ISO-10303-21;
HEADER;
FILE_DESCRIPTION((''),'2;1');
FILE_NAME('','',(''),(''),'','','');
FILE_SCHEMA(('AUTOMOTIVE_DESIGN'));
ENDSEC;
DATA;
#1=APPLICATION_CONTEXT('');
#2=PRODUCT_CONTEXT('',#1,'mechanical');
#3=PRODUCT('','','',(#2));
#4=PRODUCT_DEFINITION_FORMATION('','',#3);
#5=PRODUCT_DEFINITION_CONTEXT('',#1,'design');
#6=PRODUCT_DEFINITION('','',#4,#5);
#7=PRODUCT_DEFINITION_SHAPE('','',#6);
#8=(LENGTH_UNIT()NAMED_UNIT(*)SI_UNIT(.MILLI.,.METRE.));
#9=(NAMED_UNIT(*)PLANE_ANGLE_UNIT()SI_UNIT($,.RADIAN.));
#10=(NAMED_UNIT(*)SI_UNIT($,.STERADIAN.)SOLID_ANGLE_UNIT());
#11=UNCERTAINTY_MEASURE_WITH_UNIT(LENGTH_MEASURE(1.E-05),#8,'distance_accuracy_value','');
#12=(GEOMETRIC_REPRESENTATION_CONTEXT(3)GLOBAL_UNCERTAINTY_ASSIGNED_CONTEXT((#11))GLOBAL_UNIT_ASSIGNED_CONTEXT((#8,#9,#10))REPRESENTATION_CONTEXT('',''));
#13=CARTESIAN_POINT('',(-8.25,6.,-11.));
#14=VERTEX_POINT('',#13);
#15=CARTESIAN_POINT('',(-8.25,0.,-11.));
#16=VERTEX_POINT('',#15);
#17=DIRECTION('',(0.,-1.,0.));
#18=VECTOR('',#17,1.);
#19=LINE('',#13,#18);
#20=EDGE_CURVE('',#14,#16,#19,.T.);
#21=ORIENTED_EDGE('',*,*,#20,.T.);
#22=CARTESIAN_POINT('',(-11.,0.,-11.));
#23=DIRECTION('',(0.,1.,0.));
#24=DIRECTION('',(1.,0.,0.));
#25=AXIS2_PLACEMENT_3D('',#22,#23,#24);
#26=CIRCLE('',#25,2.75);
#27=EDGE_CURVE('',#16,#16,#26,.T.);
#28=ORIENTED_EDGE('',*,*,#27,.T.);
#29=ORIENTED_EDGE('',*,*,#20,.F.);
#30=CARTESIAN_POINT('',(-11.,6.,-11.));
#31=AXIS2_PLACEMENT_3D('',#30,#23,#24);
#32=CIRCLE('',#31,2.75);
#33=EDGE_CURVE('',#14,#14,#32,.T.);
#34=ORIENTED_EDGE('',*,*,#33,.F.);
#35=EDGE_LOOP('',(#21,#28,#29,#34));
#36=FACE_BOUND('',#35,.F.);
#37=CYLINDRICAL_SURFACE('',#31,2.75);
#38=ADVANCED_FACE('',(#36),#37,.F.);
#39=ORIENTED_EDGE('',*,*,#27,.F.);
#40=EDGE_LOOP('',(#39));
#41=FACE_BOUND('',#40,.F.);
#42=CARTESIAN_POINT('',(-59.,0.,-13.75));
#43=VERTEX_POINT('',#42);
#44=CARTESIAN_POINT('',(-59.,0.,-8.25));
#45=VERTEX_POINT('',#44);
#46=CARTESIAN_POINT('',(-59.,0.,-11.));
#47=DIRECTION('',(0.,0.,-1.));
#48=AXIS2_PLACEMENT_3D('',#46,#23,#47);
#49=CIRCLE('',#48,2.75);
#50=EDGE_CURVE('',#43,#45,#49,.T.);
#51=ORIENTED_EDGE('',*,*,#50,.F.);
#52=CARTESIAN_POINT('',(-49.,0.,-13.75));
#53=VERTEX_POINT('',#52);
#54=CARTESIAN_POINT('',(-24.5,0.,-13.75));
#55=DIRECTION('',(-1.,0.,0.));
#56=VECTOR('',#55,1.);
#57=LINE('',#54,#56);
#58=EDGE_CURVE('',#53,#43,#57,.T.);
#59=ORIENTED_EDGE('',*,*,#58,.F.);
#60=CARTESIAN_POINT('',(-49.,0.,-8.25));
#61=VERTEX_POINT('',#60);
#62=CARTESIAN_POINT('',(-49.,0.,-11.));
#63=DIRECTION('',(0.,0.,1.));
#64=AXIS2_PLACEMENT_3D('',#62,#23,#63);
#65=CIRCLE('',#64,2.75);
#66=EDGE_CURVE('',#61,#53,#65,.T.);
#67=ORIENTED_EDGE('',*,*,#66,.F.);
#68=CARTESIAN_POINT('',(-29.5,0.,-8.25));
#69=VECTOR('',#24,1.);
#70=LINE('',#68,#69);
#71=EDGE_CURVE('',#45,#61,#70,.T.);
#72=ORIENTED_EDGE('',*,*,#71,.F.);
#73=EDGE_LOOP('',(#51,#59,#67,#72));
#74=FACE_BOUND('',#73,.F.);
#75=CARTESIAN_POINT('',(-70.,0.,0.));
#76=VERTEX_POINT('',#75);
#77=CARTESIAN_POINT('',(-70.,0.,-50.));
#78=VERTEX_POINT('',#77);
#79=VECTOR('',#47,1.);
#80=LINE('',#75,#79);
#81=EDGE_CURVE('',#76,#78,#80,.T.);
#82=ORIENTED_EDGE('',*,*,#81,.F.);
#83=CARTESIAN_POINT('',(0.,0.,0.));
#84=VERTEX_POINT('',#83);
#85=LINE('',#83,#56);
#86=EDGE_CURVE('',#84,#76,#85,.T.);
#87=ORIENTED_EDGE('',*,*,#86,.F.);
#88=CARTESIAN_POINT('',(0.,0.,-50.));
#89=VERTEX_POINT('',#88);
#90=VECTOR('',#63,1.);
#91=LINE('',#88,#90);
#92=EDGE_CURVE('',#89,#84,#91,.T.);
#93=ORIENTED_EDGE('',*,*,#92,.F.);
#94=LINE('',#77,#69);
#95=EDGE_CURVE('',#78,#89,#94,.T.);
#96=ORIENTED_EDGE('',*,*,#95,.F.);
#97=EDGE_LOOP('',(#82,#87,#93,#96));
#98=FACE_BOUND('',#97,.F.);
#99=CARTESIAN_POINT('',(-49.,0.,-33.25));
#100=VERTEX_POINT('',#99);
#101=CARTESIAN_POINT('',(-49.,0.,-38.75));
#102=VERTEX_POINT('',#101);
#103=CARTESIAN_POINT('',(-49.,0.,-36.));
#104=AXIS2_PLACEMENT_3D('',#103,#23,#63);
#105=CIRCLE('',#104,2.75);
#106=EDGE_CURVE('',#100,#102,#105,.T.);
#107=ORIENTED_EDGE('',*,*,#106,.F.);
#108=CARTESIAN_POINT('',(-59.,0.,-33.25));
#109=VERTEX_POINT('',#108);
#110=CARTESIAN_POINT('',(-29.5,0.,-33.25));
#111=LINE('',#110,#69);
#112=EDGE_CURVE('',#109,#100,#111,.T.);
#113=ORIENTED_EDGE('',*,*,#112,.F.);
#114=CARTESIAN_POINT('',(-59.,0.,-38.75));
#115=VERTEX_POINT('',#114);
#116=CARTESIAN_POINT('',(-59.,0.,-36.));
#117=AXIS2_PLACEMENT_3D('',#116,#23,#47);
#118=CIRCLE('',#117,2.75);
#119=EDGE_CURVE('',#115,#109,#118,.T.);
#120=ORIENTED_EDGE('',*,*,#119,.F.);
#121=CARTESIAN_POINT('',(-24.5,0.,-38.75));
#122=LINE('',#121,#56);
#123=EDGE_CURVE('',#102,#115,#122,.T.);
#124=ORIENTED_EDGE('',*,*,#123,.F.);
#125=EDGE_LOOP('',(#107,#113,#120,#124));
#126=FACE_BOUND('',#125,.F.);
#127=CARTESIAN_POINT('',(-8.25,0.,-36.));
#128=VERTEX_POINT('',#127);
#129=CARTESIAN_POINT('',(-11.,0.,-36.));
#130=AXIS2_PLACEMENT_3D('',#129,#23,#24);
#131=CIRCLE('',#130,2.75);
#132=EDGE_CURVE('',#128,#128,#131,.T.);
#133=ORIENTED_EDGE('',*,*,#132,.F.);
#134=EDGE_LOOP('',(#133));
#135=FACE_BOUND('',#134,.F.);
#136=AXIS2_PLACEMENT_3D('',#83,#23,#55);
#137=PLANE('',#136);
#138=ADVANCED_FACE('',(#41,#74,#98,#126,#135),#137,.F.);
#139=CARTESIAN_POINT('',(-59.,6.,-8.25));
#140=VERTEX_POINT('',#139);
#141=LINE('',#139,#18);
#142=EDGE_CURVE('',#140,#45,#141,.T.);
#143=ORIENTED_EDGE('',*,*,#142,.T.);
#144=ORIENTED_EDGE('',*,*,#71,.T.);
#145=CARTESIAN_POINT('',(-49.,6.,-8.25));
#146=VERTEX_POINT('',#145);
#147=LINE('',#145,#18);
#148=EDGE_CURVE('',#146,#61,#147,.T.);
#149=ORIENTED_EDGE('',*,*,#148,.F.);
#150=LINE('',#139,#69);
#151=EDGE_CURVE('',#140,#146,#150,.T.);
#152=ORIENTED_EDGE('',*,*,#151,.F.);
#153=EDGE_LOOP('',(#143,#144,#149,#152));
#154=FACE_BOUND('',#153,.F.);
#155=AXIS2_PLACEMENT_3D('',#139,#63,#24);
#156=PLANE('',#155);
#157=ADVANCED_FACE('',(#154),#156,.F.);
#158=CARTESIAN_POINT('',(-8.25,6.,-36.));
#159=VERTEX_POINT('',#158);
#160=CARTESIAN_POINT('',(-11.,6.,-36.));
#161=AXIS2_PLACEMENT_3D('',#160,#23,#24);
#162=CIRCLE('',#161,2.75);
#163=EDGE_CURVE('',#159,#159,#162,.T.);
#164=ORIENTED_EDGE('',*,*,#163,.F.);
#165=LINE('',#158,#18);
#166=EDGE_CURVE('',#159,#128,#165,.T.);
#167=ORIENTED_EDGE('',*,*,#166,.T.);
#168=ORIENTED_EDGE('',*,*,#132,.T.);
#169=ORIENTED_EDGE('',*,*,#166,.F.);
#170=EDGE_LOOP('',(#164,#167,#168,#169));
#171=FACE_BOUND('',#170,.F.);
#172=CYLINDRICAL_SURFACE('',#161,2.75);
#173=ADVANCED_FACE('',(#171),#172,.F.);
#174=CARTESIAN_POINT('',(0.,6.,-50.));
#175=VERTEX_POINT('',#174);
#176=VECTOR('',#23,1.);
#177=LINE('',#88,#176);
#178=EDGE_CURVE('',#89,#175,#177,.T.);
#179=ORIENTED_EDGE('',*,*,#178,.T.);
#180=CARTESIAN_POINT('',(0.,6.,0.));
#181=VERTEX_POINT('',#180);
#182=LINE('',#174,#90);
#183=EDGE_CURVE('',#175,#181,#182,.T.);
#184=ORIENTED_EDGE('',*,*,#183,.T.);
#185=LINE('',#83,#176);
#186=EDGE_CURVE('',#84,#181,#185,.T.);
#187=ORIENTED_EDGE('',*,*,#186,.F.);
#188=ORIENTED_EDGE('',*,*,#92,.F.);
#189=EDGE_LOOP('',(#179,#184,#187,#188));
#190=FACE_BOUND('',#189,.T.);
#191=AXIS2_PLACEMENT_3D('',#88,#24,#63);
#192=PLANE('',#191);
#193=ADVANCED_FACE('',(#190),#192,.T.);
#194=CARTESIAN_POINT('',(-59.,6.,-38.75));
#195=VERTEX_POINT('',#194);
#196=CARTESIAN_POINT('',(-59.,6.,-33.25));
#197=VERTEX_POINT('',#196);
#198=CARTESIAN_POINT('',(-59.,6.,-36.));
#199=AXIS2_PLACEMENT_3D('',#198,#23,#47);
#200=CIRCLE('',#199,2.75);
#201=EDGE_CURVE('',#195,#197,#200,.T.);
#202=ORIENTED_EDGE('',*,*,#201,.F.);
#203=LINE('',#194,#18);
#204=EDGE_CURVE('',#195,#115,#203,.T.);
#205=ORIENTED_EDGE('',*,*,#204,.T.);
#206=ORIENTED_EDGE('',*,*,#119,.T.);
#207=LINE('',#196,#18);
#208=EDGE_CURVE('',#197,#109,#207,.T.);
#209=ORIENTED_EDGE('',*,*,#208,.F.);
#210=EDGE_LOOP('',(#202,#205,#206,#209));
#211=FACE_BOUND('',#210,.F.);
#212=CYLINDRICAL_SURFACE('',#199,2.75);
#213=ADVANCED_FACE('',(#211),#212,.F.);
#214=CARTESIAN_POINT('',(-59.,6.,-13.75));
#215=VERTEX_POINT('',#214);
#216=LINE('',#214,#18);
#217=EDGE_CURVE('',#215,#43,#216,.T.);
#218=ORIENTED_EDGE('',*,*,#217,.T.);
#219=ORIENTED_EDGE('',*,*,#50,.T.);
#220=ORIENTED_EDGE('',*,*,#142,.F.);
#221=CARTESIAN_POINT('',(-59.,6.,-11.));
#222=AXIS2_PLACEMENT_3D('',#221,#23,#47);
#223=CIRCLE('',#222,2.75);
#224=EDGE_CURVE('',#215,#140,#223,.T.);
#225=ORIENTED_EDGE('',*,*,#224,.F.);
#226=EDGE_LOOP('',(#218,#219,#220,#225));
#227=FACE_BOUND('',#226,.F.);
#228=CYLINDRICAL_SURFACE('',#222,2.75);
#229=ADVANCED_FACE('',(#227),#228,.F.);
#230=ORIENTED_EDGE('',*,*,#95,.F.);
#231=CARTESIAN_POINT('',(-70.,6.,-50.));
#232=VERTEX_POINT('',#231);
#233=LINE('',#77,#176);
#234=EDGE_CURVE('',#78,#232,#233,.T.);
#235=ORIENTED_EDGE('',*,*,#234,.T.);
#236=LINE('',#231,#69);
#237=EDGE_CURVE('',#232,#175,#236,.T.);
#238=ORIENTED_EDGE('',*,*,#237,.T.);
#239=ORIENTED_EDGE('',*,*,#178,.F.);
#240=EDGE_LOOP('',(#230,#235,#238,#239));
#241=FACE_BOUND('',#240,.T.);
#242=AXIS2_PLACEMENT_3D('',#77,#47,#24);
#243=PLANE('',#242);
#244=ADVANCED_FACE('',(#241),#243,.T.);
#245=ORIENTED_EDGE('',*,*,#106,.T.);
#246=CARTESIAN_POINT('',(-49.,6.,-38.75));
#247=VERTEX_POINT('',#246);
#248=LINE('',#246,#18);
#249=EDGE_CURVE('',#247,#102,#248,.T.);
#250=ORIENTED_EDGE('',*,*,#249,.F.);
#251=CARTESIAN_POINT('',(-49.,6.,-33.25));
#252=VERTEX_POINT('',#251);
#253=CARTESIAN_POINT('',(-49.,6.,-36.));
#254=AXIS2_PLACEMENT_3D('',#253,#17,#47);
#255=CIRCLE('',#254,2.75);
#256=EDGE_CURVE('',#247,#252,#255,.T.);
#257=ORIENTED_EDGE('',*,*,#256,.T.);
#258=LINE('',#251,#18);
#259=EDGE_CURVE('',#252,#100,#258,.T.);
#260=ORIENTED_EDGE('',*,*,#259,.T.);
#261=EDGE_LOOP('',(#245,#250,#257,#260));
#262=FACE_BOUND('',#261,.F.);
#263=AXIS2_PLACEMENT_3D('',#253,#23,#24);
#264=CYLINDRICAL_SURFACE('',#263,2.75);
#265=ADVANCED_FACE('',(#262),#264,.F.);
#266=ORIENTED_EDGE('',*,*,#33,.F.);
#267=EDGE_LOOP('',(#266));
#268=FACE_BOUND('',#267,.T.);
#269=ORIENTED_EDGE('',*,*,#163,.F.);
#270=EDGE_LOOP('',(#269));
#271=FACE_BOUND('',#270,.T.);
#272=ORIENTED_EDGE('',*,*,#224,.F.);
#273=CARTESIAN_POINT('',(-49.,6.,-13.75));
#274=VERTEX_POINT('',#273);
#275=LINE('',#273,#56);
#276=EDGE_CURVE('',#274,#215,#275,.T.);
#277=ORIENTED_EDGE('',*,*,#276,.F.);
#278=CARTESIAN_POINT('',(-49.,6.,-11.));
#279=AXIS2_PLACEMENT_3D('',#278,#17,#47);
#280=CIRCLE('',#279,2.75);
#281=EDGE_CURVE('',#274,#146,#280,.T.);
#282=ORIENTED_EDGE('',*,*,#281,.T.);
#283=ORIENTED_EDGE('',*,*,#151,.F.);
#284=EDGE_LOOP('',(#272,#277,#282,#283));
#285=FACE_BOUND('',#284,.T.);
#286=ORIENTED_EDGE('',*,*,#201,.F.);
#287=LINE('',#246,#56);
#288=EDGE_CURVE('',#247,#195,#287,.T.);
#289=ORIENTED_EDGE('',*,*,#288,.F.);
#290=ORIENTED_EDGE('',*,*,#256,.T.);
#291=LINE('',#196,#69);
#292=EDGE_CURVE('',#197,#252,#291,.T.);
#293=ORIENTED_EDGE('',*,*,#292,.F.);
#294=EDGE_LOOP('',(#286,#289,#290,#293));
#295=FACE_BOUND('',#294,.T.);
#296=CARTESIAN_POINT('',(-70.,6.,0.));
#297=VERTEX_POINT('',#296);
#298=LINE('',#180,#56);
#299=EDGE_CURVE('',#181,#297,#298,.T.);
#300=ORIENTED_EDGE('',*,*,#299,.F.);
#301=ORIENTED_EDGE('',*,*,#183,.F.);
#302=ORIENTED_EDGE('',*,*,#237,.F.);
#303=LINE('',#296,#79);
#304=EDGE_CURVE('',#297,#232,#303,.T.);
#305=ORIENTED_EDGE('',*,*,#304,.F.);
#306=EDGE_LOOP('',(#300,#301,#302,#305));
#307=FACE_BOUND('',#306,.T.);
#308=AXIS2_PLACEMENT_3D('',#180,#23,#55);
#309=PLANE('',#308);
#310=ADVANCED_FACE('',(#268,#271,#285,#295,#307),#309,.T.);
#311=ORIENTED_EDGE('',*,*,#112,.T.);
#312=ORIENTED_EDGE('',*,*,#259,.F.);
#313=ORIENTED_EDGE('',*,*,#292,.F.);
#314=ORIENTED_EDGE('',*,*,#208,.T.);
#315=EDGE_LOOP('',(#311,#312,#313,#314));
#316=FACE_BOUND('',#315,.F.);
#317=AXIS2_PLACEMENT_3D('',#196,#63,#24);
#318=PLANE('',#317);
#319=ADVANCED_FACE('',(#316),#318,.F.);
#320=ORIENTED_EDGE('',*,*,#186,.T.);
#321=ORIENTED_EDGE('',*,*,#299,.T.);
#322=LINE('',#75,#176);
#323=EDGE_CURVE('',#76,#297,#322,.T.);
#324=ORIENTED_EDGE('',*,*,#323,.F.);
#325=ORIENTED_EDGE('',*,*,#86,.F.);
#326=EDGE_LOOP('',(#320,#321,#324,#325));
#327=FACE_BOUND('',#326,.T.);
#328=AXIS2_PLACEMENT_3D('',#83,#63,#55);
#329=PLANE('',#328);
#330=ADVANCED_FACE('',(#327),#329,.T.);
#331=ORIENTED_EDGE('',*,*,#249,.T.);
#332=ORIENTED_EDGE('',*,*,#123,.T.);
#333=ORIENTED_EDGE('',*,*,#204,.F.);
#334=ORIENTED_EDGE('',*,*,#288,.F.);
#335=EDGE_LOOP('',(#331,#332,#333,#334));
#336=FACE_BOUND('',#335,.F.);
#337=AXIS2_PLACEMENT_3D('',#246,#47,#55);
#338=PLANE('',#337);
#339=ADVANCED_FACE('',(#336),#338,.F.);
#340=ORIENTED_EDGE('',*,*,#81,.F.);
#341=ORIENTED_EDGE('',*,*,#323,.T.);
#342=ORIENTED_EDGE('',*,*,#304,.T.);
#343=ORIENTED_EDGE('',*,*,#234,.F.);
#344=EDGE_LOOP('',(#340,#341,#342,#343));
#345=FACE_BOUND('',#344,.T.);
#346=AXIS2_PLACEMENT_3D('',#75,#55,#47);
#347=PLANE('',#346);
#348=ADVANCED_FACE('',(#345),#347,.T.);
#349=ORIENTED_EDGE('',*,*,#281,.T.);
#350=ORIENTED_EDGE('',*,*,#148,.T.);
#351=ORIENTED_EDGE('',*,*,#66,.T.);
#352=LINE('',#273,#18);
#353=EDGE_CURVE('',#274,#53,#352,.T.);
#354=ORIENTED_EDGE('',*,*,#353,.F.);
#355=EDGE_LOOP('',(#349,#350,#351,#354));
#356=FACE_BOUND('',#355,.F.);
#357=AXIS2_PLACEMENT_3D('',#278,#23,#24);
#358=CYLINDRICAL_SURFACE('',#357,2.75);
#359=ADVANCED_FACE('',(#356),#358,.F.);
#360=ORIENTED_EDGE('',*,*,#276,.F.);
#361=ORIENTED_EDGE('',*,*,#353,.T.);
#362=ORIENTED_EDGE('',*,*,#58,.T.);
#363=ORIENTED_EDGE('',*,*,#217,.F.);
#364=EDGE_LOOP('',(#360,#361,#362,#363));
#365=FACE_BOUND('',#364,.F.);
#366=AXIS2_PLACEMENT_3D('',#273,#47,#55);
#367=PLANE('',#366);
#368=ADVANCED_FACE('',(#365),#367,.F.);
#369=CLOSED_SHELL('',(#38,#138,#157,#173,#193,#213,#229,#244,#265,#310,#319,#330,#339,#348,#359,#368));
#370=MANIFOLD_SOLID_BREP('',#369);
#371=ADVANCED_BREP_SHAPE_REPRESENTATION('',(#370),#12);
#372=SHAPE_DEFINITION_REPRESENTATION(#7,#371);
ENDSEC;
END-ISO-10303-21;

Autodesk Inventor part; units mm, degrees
ref_plane "YZ Plane" through (0, 0, 0) normal (1, 0, 0) x (0, 1, 0)
ref_plane "XZ Plane" through (0, 0, 0) normal (0, 1, 0) x (-1, 0, 0)
ref_plane "XY Plane" through (0, 0, 0) normal (0, 0, 1) x (1, 0, 0)
sketch "Sketch1" plane through (0, 0, 0) normal (0, 1, 0) x (-1, 0, 0)
  line L0 (0, 0) -> (70, 0)
  line L1 (70, 0) -> (70, -50)
  line L2 (70, -50) -> (0, -50)
  line L3 (0, -50) -> (0, 0)
  dimension "d0" = 70
  dimension "d1" = 50
extrude "Extrusion1" add sketch "Sketch1" along normal blind 6
sketch "Sketch2" plane through (0, 6, 0) normal (0, 1, 0) x (1, 0, 0)
  circle A0 centre (-11, 11) radius 2.75
  line L0 (0, 0) -> (0, 50) projected
  line L1 (-70, 0) -> (0, 0) projected
  dimension "d4" = 5.5
  dimension "d5" = 11
  dimension "d6" = 11
extrude "Extrusion2" cut sketch "Sketch2" against normal through all
pattern_linear "Rectangular Pattern1" count 2 spacing 38 along (-1, 0, 0) count 2 spacing 25 along (0, 0, -1) of "Extrusion2"
sketch "Sketch3" plane through (0, 6, 0) normal (0, 1, 0) x (1, 0, 0)
  circle A0 centre (-49, 11) radius 2.75 projected
  line L0 (-49, 11) -> (-59, 11) construction
  line L1 (-49, 13.75) -> (-59, 13.75)
  line L2 (-59, 8.25) -> (-49, 8.25)
  arc A1 (-49, 8.25) -> (-49, 13.75) centre (-49, 11) ccw
  arc A2 (-59, 13.75) -> (-59, 8.25) centre (-59, 11) ccw
  circle A3 centre (-49, 36) radius 2.75 projected
  line L3 (-49, 36) -> (-59, 36) construction
  line L4 (-49, 38.75) -> (-59, 38.75)
  line L5 (-59, 33.25) -> (-49, 33.25)
  arc A4 (-49, 33.25) -> (-49, 38.75) centre (-49, 36) ccw
  arc A5 (-59, 38.75) -> (-59, 33.25) centre (-59, 36) ccw
  point P0 (0, 0)
  point P1 (-54, 11)
  point P2 (-54, 36)
  dimension "d15" = 10
  dimension "d16" = 5.5
  dimension "d17" = 10
  dimension "d18" = 5.5
extrude "Extrusion3" cut sketch "Sketch3" against normal through all
properties part number "Y_Carriage_Plate"
